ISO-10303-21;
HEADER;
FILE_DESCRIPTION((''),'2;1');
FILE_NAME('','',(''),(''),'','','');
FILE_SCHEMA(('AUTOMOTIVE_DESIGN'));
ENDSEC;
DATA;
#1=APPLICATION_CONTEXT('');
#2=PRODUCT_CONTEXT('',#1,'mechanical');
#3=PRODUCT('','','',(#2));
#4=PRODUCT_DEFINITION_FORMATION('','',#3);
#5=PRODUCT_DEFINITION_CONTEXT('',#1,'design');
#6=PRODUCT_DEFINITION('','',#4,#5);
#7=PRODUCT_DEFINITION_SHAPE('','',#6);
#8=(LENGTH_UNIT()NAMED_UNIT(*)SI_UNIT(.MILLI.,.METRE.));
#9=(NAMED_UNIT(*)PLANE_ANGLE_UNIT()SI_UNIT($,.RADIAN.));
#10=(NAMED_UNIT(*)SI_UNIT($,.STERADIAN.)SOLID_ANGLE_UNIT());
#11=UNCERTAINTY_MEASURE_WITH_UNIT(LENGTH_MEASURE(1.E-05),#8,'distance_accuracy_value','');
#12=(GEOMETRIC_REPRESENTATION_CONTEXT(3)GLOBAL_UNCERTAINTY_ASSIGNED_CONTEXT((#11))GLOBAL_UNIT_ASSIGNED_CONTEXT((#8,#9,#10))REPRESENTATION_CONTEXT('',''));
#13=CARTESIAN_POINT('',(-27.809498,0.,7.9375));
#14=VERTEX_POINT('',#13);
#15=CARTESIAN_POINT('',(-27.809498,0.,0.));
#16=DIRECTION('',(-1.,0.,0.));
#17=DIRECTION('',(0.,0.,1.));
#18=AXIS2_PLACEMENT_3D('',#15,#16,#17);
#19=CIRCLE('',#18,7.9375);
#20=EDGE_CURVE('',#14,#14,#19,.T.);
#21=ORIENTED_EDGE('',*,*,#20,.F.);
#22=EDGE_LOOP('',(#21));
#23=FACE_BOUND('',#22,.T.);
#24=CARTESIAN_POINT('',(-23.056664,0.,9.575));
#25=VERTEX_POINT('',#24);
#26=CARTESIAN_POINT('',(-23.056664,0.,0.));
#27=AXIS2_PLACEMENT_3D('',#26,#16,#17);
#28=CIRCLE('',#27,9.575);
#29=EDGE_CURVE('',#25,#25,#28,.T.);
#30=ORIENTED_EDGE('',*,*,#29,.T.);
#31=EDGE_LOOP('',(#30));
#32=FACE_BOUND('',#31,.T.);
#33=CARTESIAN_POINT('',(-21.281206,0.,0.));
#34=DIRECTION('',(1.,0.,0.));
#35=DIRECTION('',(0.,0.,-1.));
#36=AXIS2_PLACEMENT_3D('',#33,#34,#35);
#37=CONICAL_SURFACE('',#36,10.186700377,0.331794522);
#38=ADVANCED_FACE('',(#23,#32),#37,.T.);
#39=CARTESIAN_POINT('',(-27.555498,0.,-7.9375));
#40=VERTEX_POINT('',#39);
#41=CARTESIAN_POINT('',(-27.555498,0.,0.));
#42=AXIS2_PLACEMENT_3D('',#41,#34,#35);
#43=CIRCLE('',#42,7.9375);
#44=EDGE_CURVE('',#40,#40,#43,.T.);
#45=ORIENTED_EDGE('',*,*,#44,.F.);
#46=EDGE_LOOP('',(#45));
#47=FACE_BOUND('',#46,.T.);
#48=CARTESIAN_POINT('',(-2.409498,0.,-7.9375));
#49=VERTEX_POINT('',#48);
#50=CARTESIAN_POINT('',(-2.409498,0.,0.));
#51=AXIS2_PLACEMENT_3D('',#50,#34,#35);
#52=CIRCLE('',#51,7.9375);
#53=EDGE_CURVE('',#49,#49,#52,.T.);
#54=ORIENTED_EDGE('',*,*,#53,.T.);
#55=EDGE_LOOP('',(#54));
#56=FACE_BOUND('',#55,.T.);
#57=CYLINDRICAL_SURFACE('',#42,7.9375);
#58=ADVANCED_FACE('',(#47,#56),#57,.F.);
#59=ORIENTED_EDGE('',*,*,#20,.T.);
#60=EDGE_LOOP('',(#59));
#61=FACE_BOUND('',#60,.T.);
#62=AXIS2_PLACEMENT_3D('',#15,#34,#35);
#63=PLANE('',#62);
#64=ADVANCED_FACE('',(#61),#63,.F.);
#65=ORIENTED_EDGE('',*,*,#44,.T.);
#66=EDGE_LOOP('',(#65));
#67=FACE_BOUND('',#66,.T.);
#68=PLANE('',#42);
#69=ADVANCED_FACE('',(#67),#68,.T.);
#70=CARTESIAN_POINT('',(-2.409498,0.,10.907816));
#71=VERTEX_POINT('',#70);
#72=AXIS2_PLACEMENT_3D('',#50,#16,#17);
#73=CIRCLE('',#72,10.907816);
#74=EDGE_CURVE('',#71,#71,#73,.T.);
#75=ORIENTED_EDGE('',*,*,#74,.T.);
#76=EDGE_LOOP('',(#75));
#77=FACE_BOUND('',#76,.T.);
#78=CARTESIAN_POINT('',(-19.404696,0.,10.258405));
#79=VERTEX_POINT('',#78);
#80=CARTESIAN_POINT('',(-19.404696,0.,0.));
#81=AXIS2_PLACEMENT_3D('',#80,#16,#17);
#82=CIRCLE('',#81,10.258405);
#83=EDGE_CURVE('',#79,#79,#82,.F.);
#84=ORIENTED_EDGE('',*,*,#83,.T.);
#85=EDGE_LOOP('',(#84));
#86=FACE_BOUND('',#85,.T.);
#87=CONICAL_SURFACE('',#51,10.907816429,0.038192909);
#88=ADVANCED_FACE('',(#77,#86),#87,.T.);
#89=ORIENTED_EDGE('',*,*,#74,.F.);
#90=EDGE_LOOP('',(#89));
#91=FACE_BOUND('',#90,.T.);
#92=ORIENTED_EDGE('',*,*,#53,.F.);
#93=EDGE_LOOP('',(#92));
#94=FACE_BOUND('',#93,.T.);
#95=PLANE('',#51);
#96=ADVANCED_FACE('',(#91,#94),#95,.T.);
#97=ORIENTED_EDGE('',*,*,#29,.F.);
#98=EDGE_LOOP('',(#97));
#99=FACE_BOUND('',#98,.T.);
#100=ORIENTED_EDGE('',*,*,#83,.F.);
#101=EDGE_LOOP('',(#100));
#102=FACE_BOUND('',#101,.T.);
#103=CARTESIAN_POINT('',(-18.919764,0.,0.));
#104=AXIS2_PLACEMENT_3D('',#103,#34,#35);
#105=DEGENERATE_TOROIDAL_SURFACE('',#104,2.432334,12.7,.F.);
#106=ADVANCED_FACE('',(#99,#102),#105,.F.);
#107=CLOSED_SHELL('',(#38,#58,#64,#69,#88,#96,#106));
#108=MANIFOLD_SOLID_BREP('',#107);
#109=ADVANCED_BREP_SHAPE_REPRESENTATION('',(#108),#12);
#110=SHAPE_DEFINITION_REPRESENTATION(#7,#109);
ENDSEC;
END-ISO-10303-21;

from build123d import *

# Parameters (mm, degrees)
SKETCH3_R          = 7.9375
CUT_EXTRUDE1_DEPTH = 25.146
FILLET1_R          = 12.7


with BuildPart() as part:
    # Sketch2 → Revolve1 (revolve)
    with BuildSketch(Plane.XY, mode=Mode.PRIVATE) as revolve1_sk:
        Polygon((-27.809498475, 7.9375), (-27.809498475, 0), (-2.409498475, 0), (-2.409498475, 10.907816429), (-21.2812055, 10.186700377), align=None)
    revolve(revolve1_sk.sketch.rotate(Axis((-27.809498475, 0, 0), (1, 0, 0)), 90), axis=Axis((-27.809498475, 0, 0), (1, 0, 0)))

    # Sketch3 → Cut-Extrude1 (cut)
    with BuildSketch(Plane(origin=(-2.409498475, 0, 0), x_dir=(0, 0, -1), z_dir=(1, 0, 0))):
        Circle(SKETCH3_R)
    extrude(amount=-CUT_EXTRUDE1_DEPTH, mode=Mode.SUBTRACT)

    # Fillet1
    fillet1_edges = [part.edges().sort_by_distance(p)[0] for p in [
        (-21.2812055, 0, -10.186700377),
    ]]
    fillet(fillet1_edges, radius=FILLET1_R)


solid = part.part
